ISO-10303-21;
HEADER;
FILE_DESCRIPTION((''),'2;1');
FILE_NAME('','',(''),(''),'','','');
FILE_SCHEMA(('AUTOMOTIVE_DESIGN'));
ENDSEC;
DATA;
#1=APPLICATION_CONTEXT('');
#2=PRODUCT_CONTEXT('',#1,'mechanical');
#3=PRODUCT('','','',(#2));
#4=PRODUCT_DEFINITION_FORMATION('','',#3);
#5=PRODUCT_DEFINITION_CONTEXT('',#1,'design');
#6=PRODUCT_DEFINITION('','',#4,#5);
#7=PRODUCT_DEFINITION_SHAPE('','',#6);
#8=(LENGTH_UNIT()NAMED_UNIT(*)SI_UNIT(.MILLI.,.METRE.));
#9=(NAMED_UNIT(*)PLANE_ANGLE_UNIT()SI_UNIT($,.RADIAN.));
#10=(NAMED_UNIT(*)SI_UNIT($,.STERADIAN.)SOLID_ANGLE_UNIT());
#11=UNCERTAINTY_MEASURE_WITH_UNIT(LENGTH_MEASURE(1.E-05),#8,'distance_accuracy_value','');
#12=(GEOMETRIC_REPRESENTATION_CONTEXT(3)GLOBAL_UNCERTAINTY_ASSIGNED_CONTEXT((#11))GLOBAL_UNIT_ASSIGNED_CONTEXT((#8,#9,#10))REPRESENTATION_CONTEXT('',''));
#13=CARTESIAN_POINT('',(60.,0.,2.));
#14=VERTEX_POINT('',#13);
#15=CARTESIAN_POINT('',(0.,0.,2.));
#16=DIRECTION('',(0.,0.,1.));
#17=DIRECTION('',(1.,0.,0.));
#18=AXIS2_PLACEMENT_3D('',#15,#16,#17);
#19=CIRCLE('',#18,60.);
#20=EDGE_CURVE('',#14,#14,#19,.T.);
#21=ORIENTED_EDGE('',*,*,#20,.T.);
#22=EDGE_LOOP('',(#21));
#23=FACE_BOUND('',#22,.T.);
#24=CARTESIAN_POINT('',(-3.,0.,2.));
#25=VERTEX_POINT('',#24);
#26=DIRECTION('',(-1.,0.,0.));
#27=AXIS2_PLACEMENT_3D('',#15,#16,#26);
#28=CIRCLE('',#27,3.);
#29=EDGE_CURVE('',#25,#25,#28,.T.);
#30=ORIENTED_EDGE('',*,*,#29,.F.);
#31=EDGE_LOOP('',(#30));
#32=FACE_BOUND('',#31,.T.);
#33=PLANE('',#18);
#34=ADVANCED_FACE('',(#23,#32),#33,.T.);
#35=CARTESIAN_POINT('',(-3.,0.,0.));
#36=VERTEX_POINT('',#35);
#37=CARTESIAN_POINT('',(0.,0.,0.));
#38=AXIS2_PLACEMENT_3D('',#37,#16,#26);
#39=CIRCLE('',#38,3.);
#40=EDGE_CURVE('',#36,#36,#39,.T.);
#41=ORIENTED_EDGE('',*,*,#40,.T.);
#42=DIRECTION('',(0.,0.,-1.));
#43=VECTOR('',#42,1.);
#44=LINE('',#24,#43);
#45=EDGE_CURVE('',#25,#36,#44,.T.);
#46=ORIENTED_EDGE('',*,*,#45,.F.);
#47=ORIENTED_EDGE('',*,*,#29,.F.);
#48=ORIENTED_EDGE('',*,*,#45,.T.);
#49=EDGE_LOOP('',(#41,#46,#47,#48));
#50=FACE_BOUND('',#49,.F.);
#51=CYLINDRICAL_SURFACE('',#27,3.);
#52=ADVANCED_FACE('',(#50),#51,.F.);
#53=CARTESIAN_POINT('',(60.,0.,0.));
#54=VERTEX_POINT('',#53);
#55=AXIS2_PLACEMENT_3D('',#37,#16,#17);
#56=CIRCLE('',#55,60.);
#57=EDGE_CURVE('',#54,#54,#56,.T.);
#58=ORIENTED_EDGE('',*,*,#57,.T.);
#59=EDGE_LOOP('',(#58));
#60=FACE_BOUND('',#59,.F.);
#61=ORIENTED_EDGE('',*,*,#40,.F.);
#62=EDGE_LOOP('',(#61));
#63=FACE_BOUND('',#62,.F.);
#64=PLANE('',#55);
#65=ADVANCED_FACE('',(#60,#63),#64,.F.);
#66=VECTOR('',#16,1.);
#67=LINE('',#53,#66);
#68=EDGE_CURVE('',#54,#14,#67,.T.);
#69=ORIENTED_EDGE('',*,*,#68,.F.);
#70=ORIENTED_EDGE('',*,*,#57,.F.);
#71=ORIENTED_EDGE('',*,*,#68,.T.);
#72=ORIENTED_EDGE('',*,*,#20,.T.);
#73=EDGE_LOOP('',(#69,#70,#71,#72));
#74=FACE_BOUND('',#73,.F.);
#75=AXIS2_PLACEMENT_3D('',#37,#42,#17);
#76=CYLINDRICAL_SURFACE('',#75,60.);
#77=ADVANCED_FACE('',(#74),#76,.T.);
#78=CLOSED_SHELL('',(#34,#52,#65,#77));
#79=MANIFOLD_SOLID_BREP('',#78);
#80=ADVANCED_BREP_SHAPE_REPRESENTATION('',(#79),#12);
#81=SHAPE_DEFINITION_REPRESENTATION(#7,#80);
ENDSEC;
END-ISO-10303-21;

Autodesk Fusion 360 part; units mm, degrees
sketch "Sketch1" plane through (0, 0, 0) normal (0, 0, 1) x (1, 0, 0)
  circle A0 centre (0, 0) radius 60
  dimension "d1" = 120
extrude "Extrude1" add sketch "Sketch1" along normal blind 2
sketch "Sketch2" plane through (0, 0, 2) normal (0, 0, 1) x (-1, 0, 0)
  circle A0 centre (0, 0) radius 60
  circle A1 centre (0, 0) radius 3
  dimension "d4" = 6
extrude "Extrude2" cut sketch "Sketch2" against normal blind 2 contours A1
